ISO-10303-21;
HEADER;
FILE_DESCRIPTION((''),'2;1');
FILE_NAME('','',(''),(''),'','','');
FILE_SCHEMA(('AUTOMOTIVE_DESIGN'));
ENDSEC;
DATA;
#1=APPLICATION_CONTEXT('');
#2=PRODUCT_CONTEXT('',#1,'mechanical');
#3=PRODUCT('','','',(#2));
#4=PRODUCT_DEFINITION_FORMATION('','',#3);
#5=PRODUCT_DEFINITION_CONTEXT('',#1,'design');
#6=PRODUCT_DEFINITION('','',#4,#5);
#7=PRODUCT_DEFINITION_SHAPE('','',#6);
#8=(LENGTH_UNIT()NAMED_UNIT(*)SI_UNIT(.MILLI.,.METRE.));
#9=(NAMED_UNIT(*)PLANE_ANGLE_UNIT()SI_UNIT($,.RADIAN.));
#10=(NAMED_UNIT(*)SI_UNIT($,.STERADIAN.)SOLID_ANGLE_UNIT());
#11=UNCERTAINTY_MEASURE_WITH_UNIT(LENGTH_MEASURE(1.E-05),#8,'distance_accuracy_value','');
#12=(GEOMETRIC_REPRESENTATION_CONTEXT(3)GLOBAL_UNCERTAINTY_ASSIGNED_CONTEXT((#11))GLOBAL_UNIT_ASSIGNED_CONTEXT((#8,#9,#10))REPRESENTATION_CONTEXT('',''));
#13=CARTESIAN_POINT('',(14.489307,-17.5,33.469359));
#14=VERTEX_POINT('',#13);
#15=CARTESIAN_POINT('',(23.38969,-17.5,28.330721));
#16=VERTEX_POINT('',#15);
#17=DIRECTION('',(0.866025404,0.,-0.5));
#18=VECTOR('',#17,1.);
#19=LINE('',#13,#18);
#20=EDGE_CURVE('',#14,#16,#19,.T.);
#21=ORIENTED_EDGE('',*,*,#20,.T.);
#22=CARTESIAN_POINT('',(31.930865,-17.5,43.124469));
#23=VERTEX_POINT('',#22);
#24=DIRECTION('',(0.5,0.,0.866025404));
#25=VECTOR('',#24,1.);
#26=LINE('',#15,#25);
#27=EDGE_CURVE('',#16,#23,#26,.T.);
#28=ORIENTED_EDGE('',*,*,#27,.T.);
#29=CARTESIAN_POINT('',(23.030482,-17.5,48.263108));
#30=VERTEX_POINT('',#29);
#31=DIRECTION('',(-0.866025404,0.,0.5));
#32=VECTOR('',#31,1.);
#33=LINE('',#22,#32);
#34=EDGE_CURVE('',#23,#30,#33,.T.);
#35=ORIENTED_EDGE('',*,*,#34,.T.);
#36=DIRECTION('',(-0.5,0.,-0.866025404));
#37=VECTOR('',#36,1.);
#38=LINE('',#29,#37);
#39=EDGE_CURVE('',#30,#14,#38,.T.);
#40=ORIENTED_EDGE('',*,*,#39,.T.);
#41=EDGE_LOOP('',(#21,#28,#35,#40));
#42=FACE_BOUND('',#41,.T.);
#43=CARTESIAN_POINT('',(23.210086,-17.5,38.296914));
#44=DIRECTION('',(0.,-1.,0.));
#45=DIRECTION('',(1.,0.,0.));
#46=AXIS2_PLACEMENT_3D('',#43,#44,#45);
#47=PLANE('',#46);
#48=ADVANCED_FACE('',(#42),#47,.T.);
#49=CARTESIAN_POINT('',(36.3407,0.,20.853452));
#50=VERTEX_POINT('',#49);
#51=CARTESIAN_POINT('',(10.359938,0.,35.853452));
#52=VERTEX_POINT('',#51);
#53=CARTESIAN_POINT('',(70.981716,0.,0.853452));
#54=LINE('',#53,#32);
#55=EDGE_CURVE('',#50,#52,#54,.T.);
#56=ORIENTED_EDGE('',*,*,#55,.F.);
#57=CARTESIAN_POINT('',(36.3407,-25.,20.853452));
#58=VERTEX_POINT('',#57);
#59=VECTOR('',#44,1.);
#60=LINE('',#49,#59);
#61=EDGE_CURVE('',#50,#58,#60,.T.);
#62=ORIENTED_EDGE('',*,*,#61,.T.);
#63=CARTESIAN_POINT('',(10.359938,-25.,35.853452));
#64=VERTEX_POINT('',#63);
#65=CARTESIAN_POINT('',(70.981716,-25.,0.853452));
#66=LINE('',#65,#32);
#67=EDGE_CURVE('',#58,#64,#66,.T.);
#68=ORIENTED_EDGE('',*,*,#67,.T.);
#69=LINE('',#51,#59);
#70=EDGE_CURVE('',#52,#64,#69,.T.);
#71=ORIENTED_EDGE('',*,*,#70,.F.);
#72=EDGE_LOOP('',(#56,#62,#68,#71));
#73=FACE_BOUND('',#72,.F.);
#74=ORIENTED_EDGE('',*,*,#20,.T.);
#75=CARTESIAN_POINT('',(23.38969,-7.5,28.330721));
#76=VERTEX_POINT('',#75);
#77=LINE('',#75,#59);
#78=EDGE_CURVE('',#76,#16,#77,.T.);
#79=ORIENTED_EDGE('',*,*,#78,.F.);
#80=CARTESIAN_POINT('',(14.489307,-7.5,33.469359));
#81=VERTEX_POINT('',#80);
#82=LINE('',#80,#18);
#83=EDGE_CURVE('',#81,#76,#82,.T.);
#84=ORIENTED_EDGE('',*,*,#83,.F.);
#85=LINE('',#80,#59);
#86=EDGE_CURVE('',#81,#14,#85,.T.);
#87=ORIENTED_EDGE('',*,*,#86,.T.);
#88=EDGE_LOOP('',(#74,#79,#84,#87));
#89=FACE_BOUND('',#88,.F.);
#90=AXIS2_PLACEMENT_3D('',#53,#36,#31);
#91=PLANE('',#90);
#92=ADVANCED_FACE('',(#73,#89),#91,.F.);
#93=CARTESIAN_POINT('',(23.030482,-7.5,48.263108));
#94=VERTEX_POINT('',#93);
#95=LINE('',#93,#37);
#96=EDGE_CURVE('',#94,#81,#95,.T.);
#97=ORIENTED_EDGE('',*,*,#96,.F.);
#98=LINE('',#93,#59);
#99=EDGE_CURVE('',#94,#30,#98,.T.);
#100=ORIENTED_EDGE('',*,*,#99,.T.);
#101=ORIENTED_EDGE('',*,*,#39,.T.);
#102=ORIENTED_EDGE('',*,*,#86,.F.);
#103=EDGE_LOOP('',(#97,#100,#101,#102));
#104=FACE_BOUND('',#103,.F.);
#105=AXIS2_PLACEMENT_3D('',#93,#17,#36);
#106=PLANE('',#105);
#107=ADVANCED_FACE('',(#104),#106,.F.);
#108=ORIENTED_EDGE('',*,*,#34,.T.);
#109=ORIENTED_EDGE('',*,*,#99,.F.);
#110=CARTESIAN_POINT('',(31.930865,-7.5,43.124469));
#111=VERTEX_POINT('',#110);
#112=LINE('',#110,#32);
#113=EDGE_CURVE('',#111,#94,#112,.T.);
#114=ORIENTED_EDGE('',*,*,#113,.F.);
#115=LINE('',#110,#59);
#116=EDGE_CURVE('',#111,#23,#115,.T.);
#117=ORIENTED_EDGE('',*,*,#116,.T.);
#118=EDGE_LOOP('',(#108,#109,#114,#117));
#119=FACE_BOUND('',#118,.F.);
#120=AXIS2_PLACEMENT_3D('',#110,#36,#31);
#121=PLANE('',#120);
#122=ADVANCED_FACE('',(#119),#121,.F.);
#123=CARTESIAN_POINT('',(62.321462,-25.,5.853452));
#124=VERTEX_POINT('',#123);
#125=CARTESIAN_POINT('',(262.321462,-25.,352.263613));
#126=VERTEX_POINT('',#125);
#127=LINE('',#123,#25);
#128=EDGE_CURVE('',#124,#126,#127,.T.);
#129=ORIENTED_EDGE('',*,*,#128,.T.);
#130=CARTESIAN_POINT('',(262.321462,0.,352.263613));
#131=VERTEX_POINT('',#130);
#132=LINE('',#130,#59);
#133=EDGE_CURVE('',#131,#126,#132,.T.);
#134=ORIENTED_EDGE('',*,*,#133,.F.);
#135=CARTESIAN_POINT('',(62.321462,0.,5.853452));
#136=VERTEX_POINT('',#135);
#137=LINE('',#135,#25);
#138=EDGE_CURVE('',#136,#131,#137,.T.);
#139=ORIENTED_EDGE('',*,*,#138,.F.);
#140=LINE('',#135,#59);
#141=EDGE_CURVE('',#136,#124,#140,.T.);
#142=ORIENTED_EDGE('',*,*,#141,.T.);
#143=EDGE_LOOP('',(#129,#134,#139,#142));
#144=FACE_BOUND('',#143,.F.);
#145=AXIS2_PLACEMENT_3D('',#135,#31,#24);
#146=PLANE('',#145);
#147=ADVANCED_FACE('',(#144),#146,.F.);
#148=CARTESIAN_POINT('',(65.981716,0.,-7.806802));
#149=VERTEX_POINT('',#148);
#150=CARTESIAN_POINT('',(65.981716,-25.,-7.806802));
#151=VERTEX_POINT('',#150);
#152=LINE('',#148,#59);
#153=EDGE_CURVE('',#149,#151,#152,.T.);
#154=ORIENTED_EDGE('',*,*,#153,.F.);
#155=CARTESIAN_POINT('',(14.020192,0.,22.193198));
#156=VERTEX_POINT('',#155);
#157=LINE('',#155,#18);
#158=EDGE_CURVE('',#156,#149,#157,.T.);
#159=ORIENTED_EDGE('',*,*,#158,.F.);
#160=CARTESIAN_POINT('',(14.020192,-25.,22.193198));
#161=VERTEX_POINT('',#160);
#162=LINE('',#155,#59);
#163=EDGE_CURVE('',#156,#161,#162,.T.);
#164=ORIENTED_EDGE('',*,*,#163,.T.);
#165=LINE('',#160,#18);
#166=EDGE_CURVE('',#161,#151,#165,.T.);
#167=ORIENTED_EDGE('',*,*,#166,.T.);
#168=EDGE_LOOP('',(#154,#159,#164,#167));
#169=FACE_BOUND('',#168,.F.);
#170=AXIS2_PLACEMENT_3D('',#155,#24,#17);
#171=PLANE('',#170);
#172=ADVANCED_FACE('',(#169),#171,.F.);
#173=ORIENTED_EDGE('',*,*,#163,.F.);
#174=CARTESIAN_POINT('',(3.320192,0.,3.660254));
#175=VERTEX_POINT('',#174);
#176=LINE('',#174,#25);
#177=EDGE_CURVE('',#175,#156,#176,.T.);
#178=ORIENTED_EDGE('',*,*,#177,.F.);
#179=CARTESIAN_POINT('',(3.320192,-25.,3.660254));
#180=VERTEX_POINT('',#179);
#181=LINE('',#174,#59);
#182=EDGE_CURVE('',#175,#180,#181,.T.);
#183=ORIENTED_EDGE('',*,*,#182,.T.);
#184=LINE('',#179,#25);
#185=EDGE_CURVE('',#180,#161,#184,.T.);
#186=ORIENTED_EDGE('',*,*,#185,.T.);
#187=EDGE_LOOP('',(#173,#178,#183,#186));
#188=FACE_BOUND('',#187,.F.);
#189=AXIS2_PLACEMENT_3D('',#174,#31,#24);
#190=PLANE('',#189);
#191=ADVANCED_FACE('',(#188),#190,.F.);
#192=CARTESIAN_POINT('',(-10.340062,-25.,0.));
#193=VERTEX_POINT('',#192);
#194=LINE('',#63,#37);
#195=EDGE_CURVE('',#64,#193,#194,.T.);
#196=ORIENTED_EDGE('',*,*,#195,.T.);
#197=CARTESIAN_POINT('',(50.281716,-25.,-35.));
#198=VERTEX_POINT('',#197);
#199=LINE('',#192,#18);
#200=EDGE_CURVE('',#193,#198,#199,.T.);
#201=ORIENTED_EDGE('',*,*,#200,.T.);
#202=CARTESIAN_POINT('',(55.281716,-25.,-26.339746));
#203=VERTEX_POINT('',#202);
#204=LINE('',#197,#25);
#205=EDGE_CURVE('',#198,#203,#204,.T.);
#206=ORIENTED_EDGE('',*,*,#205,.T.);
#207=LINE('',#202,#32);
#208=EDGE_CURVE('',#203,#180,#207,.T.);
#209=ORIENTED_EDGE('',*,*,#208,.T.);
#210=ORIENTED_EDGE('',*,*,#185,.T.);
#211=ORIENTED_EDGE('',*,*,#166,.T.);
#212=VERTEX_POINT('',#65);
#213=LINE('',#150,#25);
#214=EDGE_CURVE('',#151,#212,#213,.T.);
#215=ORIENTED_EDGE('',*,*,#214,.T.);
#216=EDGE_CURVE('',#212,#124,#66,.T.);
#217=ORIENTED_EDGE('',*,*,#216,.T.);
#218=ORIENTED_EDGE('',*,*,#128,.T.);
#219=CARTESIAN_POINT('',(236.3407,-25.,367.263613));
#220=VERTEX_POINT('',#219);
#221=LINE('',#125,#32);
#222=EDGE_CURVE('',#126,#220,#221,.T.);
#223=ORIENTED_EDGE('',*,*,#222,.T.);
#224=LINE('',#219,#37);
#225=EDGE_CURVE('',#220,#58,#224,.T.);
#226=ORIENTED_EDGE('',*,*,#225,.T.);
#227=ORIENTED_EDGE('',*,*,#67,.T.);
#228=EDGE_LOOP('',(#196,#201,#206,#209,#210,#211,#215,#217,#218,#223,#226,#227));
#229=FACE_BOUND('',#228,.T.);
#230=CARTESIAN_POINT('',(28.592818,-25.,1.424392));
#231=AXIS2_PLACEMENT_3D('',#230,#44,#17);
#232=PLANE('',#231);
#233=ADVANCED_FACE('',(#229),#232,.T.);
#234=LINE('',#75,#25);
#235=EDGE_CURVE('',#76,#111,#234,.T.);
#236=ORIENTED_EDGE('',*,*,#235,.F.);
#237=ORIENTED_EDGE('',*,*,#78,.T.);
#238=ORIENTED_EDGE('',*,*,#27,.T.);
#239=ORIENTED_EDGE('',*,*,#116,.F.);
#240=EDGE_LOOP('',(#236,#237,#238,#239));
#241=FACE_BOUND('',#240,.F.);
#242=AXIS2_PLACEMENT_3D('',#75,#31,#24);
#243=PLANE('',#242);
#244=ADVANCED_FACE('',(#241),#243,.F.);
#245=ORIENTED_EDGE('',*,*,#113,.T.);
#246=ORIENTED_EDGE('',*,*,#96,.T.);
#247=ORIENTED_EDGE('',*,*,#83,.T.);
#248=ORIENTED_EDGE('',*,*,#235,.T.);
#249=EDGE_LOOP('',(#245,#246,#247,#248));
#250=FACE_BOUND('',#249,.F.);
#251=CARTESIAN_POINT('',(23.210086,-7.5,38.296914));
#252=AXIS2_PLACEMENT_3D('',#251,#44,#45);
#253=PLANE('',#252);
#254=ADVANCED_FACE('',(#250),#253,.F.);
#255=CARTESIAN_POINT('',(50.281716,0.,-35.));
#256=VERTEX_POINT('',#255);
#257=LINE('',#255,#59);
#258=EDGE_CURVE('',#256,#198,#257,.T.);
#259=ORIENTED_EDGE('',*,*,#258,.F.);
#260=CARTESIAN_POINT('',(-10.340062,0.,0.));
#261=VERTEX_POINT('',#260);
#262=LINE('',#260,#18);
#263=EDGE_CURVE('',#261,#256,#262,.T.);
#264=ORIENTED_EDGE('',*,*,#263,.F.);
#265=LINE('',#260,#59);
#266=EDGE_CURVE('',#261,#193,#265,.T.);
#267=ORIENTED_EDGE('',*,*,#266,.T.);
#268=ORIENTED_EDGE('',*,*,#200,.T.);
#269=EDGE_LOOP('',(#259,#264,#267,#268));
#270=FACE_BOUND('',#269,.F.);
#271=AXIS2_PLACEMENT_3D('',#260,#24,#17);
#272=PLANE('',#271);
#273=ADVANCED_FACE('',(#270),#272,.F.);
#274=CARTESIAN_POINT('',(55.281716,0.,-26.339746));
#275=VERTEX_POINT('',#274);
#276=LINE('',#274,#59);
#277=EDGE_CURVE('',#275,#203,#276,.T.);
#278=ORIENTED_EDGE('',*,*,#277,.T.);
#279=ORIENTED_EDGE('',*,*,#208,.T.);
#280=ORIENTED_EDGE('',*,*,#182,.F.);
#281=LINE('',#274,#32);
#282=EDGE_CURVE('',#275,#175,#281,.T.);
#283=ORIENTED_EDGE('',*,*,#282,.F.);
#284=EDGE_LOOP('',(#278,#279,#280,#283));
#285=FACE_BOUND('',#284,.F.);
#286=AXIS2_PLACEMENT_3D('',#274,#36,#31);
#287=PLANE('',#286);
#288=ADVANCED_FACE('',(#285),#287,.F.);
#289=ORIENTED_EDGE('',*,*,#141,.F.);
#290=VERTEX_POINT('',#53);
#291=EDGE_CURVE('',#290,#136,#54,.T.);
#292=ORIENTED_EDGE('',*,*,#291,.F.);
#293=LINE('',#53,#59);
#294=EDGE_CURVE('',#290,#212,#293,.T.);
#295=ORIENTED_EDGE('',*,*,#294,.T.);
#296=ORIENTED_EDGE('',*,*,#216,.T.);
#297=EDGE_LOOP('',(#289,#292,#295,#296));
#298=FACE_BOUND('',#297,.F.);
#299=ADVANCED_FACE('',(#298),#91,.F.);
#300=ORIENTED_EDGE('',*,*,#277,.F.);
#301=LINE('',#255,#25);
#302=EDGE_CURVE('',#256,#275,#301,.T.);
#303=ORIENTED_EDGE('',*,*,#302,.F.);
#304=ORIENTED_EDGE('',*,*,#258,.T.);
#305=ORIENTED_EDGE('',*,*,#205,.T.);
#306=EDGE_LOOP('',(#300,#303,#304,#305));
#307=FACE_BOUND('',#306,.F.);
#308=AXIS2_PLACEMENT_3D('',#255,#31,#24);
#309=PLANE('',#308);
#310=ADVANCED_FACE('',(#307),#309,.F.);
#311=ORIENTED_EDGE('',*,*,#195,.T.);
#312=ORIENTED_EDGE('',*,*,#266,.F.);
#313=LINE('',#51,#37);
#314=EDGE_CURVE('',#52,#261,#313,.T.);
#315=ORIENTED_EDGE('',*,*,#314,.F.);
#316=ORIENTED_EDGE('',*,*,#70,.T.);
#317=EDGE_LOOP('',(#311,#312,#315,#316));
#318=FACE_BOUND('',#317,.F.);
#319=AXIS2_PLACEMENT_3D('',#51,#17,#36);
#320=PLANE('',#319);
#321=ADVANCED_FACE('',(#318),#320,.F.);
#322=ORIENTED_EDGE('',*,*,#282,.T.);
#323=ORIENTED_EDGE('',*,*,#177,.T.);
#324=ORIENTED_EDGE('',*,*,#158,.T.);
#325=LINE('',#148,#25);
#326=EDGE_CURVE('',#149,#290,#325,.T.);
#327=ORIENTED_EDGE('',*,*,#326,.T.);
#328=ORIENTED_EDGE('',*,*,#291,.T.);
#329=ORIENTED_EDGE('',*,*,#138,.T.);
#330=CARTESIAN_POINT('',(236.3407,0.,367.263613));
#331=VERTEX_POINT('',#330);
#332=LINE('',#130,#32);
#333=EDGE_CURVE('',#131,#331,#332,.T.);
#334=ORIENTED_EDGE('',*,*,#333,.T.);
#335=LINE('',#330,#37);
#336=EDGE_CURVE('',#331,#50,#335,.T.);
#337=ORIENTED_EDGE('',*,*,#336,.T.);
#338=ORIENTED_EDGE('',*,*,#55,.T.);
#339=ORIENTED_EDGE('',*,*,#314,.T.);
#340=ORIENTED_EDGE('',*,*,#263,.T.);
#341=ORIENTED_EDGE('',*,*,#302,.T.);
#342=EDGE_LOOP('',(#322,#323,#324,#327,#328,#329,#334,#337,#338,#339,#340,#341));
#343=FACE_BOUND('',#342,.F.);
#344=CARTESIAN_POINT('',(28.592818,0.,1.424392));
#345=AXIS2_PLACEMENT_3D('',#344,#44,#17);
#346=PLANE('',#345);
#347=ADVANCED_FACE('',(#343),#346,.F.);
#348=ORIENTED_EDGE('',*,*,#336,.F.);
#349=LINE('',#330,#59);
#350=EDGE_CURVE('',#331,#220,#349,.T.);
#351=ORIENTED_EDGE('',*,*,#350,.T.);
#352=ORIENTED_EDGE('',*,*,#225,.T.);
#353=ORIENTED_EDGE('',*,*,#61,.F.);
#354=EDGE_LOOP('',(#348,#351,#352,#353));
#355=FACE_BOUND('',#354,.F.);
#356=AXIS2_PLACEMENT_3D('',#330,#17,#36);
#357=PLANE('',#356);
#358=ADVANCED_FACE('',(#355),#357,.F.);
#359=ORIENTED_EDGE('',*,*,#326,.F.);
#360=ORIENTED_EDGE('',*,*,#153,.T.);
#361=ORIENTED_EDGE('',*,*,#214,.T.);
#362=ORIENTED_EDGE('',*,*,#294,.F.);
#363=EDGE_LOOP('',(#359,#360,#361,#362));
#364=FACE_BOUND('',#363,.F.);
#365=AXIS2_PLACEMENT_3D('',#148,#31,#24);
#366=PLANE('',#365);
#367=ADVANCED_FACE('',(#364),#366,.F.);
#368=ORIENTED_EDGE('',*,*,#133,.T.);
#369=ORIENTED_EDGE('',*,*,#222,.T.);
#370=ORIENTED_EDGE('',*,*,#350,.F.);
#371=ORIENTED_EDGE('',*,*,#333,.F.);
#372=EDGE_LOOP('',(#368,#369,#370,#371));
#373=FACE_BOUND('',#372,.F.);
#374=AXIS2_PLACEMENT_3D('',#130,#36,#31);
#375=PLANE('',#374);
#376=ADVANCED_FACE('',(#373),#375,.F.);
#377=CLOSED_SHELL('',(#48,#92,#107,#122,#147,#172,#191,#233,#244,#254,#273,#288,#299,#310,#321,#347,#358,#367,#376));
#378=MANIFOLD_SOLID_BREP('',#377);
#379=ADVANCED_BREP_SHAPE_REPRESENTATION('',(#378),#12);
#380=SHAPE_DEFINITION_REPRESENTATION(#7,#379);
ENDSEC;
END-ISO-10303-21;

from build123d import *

# Parameters (mm, degrees)
F1_DEPTH = 25
F2_ANGLE = 30
F4_DEPTH = 25
F6_START = 7.5
F6_DEPTH = 10


with BuildPart() as f1:
    # F0 (on Front) → F1 (new body)
    with BuildSketch(Plane.XZ):
        Polygon((59.6599376417, 0), (59.6599376417, 10), (-0.3400623583, 10), (-0.3400623583, 31.4), (59.6599376417, 31.4), (59.6599376417, 41.4), (-10.3400623583, 41.4), (-10.3400623583, 0), align=None)
    extrude(amount=F1_DEPTH)


with BuildPart() as f1_1:
    # F2: moved
    add(f1.part.rotate(Axis((-10.3400623583, -12.5, 0), (0, 1, 0)), F2_ANGLE))

    # F3 (on Front) → F4 (join)
    with BuildSketch(Plane.XZ):
        Polygon((36.3406997552, 20.8534517167), (62.3214618687, 5.8534517167), (262.3214618687, 352.2636132305), (236.3406997552, 367.2636132305), align=None)
    extrude(amount=F4_DEPTH)

    # F5 (on Front) → F6 (join)
    with BuildSketch(Plane.XZ.offset(F6_START)):
        Polygon((23.3896902468, 28.3307205427), (31.9308649473, 43.1244690803), (23.0304820152, 48.263107562), (14.4893073146, 33.4693590244), align=None)
    extrude(amount=F6_DEPTH)


solid = f1_1.part
